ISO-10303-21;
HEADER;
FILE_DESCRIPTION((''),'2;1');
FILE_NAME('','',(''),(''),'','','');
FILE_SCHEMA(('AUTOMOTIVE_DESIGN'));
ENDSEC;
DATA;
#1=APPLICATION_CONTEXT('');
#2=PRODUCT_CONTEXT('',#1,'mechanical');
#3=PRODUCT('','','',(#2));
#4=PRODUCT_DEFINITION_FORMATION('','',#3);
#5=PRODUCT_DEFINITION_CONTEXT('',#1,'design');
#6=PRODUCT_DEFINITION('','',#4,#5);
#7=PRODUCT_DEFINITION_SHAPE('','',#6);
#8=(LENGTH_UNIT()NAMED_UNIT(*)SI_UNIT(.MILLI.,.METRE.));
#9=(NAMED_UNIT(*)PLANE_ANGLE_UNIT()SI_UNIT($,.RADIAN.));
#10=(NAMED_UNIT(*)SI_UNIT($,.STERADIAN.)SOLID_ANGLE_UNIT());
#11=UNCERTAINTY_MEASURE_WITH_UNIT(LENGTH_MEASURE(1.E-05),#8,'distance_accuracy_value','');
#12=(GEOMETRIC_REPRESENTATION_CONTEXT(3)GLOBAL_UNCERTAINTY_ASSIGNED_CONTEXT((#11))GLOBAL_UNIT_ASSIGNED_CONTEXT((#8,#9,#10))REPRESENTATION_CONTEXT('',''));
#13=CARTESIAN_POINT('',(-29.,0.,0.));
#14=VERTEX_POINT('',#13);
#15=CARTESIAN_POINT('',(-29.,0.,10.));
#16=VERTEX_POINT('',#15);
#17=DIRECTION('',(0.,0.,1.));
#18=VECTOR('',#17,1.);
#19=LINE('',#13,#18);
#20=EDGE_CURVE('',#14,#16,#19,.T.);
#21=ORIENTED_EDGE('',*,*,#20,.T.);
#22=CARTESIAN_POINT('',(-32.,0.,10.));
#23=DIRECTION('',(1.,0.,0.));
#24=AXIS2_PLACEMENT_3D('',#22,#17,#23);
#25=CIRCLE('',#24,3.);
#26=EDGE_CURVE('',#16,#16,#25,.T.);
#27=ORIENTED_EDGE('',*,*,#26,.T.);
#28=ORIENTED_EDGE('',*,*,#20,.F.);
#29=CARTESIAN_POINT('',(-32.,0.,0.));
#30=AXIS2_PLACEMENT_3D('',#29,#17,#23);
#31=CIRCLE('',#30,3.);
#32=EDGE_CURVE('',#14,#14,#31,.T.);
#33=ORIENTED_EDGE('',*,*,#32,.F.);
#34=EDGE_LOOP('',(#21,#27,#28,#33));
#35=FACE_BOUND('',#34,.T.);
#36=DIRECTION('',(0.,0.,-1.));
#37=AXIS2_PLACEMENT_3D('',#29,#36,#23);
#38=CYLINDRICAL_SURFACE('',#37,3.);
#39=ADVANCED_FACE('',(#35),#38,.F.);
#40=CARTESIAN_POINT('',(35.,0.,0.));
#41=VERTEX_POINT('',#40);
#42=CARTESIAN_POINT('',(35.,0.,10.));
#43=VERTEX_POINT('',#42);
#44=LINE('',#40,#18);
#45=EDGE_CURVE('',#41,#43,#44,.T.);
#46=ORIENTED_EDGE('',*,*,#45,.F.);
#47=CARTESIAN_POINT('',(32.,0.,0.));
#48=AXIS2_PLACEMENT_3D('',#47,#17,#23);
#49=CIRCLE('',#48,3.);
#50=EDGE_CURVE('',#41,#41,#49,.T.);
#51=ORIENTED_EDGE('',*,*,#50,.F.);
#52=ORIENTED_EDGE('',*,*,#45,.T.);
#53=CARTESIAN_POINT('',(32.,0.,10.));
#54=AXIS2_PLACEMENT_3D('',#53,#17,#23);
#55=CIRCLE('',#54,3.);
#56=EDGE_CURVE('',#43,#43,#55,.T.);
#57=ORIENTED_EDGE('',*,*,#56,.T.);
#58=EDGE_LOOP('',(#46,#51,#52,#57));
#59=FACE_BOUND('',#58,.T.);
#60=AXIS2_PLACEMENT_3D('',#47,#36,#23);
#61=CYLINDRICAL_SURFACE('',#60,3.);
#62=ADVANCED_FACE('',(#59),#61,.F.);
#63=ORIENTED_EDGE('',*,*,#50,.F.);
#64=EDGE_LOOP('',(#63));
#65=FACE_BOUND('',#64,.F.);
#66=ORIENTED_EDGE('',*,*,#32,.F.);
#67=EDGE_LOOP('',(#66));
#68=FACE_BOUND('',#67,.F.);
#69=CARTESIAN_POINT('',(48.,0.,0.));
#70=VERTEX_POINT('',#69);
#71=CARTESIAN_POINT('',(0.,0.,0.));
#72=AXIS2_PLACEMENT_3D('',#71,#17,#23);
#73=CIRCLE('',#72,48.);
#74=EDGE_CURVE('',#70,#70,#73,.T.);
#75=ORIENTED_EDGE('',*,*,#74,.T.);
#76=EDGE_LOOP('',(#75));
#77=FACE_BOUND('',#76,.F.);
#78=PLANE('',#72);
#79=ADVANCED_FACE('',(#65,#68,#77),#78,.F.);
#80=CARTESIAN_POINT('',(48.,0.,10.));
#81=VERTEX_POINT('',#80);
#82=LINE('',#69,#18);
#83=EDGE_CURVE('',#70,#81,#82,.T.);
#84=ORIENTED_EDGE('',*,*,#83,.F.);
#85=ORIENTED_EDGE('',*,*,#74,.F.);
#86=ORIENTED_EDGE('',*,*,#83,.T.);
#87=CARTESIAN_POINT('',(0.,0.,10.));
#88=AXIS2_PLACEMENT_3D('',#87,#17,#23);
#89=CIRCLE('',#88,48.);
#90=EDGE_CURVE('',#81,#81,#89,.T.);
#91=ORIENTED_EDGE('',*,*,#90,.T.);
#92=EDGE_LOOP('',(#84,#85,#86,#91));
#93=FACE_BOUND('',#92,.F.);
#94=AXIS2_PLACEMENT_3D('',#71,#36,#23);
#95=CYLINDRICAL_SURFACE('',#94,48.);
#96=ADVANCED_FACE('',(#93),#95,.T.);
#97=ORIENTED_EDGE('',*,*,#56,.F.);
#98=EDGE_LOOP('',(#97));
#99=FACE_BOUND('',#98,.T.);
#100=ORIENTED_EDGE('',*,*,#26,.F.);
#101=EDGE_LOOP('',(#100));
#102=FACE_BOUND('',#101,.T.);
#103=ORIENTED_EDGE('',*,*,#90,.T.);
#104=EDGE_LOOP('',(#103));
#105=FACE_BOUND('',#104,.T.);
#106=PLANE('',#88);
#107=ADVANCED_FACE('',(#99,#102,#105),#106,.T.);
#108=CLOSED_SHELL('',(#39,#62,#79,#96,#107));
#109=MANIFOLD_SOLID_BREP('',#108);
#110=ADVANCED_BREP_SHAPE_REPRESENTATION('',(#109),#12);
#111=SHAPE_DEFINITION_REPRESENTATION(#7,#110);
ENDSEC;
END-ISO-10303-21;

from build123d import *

# Parameters (mm, degrees)
SKETCH_R   = 48
SKETCH_R_2 = 3
PAD_DEPTH  = 10


with BuildPart() as part:
    # Sketch (on XY_Plane of Origin) → Pad (new body)
    with BuildSketch(Plane.XY):
        Circle(SKETCH_R)
        with Locations((-32, 0)):
            Circle(SKETCH_R_2, mode=Mode.SUBTRACT)
        with Locations((32, 0)):
            Circle(SKETCH_R_2, mode=Mode.SUBTRACT)
    extrude(amount=PAD_DEPTH)


solid = part.part
